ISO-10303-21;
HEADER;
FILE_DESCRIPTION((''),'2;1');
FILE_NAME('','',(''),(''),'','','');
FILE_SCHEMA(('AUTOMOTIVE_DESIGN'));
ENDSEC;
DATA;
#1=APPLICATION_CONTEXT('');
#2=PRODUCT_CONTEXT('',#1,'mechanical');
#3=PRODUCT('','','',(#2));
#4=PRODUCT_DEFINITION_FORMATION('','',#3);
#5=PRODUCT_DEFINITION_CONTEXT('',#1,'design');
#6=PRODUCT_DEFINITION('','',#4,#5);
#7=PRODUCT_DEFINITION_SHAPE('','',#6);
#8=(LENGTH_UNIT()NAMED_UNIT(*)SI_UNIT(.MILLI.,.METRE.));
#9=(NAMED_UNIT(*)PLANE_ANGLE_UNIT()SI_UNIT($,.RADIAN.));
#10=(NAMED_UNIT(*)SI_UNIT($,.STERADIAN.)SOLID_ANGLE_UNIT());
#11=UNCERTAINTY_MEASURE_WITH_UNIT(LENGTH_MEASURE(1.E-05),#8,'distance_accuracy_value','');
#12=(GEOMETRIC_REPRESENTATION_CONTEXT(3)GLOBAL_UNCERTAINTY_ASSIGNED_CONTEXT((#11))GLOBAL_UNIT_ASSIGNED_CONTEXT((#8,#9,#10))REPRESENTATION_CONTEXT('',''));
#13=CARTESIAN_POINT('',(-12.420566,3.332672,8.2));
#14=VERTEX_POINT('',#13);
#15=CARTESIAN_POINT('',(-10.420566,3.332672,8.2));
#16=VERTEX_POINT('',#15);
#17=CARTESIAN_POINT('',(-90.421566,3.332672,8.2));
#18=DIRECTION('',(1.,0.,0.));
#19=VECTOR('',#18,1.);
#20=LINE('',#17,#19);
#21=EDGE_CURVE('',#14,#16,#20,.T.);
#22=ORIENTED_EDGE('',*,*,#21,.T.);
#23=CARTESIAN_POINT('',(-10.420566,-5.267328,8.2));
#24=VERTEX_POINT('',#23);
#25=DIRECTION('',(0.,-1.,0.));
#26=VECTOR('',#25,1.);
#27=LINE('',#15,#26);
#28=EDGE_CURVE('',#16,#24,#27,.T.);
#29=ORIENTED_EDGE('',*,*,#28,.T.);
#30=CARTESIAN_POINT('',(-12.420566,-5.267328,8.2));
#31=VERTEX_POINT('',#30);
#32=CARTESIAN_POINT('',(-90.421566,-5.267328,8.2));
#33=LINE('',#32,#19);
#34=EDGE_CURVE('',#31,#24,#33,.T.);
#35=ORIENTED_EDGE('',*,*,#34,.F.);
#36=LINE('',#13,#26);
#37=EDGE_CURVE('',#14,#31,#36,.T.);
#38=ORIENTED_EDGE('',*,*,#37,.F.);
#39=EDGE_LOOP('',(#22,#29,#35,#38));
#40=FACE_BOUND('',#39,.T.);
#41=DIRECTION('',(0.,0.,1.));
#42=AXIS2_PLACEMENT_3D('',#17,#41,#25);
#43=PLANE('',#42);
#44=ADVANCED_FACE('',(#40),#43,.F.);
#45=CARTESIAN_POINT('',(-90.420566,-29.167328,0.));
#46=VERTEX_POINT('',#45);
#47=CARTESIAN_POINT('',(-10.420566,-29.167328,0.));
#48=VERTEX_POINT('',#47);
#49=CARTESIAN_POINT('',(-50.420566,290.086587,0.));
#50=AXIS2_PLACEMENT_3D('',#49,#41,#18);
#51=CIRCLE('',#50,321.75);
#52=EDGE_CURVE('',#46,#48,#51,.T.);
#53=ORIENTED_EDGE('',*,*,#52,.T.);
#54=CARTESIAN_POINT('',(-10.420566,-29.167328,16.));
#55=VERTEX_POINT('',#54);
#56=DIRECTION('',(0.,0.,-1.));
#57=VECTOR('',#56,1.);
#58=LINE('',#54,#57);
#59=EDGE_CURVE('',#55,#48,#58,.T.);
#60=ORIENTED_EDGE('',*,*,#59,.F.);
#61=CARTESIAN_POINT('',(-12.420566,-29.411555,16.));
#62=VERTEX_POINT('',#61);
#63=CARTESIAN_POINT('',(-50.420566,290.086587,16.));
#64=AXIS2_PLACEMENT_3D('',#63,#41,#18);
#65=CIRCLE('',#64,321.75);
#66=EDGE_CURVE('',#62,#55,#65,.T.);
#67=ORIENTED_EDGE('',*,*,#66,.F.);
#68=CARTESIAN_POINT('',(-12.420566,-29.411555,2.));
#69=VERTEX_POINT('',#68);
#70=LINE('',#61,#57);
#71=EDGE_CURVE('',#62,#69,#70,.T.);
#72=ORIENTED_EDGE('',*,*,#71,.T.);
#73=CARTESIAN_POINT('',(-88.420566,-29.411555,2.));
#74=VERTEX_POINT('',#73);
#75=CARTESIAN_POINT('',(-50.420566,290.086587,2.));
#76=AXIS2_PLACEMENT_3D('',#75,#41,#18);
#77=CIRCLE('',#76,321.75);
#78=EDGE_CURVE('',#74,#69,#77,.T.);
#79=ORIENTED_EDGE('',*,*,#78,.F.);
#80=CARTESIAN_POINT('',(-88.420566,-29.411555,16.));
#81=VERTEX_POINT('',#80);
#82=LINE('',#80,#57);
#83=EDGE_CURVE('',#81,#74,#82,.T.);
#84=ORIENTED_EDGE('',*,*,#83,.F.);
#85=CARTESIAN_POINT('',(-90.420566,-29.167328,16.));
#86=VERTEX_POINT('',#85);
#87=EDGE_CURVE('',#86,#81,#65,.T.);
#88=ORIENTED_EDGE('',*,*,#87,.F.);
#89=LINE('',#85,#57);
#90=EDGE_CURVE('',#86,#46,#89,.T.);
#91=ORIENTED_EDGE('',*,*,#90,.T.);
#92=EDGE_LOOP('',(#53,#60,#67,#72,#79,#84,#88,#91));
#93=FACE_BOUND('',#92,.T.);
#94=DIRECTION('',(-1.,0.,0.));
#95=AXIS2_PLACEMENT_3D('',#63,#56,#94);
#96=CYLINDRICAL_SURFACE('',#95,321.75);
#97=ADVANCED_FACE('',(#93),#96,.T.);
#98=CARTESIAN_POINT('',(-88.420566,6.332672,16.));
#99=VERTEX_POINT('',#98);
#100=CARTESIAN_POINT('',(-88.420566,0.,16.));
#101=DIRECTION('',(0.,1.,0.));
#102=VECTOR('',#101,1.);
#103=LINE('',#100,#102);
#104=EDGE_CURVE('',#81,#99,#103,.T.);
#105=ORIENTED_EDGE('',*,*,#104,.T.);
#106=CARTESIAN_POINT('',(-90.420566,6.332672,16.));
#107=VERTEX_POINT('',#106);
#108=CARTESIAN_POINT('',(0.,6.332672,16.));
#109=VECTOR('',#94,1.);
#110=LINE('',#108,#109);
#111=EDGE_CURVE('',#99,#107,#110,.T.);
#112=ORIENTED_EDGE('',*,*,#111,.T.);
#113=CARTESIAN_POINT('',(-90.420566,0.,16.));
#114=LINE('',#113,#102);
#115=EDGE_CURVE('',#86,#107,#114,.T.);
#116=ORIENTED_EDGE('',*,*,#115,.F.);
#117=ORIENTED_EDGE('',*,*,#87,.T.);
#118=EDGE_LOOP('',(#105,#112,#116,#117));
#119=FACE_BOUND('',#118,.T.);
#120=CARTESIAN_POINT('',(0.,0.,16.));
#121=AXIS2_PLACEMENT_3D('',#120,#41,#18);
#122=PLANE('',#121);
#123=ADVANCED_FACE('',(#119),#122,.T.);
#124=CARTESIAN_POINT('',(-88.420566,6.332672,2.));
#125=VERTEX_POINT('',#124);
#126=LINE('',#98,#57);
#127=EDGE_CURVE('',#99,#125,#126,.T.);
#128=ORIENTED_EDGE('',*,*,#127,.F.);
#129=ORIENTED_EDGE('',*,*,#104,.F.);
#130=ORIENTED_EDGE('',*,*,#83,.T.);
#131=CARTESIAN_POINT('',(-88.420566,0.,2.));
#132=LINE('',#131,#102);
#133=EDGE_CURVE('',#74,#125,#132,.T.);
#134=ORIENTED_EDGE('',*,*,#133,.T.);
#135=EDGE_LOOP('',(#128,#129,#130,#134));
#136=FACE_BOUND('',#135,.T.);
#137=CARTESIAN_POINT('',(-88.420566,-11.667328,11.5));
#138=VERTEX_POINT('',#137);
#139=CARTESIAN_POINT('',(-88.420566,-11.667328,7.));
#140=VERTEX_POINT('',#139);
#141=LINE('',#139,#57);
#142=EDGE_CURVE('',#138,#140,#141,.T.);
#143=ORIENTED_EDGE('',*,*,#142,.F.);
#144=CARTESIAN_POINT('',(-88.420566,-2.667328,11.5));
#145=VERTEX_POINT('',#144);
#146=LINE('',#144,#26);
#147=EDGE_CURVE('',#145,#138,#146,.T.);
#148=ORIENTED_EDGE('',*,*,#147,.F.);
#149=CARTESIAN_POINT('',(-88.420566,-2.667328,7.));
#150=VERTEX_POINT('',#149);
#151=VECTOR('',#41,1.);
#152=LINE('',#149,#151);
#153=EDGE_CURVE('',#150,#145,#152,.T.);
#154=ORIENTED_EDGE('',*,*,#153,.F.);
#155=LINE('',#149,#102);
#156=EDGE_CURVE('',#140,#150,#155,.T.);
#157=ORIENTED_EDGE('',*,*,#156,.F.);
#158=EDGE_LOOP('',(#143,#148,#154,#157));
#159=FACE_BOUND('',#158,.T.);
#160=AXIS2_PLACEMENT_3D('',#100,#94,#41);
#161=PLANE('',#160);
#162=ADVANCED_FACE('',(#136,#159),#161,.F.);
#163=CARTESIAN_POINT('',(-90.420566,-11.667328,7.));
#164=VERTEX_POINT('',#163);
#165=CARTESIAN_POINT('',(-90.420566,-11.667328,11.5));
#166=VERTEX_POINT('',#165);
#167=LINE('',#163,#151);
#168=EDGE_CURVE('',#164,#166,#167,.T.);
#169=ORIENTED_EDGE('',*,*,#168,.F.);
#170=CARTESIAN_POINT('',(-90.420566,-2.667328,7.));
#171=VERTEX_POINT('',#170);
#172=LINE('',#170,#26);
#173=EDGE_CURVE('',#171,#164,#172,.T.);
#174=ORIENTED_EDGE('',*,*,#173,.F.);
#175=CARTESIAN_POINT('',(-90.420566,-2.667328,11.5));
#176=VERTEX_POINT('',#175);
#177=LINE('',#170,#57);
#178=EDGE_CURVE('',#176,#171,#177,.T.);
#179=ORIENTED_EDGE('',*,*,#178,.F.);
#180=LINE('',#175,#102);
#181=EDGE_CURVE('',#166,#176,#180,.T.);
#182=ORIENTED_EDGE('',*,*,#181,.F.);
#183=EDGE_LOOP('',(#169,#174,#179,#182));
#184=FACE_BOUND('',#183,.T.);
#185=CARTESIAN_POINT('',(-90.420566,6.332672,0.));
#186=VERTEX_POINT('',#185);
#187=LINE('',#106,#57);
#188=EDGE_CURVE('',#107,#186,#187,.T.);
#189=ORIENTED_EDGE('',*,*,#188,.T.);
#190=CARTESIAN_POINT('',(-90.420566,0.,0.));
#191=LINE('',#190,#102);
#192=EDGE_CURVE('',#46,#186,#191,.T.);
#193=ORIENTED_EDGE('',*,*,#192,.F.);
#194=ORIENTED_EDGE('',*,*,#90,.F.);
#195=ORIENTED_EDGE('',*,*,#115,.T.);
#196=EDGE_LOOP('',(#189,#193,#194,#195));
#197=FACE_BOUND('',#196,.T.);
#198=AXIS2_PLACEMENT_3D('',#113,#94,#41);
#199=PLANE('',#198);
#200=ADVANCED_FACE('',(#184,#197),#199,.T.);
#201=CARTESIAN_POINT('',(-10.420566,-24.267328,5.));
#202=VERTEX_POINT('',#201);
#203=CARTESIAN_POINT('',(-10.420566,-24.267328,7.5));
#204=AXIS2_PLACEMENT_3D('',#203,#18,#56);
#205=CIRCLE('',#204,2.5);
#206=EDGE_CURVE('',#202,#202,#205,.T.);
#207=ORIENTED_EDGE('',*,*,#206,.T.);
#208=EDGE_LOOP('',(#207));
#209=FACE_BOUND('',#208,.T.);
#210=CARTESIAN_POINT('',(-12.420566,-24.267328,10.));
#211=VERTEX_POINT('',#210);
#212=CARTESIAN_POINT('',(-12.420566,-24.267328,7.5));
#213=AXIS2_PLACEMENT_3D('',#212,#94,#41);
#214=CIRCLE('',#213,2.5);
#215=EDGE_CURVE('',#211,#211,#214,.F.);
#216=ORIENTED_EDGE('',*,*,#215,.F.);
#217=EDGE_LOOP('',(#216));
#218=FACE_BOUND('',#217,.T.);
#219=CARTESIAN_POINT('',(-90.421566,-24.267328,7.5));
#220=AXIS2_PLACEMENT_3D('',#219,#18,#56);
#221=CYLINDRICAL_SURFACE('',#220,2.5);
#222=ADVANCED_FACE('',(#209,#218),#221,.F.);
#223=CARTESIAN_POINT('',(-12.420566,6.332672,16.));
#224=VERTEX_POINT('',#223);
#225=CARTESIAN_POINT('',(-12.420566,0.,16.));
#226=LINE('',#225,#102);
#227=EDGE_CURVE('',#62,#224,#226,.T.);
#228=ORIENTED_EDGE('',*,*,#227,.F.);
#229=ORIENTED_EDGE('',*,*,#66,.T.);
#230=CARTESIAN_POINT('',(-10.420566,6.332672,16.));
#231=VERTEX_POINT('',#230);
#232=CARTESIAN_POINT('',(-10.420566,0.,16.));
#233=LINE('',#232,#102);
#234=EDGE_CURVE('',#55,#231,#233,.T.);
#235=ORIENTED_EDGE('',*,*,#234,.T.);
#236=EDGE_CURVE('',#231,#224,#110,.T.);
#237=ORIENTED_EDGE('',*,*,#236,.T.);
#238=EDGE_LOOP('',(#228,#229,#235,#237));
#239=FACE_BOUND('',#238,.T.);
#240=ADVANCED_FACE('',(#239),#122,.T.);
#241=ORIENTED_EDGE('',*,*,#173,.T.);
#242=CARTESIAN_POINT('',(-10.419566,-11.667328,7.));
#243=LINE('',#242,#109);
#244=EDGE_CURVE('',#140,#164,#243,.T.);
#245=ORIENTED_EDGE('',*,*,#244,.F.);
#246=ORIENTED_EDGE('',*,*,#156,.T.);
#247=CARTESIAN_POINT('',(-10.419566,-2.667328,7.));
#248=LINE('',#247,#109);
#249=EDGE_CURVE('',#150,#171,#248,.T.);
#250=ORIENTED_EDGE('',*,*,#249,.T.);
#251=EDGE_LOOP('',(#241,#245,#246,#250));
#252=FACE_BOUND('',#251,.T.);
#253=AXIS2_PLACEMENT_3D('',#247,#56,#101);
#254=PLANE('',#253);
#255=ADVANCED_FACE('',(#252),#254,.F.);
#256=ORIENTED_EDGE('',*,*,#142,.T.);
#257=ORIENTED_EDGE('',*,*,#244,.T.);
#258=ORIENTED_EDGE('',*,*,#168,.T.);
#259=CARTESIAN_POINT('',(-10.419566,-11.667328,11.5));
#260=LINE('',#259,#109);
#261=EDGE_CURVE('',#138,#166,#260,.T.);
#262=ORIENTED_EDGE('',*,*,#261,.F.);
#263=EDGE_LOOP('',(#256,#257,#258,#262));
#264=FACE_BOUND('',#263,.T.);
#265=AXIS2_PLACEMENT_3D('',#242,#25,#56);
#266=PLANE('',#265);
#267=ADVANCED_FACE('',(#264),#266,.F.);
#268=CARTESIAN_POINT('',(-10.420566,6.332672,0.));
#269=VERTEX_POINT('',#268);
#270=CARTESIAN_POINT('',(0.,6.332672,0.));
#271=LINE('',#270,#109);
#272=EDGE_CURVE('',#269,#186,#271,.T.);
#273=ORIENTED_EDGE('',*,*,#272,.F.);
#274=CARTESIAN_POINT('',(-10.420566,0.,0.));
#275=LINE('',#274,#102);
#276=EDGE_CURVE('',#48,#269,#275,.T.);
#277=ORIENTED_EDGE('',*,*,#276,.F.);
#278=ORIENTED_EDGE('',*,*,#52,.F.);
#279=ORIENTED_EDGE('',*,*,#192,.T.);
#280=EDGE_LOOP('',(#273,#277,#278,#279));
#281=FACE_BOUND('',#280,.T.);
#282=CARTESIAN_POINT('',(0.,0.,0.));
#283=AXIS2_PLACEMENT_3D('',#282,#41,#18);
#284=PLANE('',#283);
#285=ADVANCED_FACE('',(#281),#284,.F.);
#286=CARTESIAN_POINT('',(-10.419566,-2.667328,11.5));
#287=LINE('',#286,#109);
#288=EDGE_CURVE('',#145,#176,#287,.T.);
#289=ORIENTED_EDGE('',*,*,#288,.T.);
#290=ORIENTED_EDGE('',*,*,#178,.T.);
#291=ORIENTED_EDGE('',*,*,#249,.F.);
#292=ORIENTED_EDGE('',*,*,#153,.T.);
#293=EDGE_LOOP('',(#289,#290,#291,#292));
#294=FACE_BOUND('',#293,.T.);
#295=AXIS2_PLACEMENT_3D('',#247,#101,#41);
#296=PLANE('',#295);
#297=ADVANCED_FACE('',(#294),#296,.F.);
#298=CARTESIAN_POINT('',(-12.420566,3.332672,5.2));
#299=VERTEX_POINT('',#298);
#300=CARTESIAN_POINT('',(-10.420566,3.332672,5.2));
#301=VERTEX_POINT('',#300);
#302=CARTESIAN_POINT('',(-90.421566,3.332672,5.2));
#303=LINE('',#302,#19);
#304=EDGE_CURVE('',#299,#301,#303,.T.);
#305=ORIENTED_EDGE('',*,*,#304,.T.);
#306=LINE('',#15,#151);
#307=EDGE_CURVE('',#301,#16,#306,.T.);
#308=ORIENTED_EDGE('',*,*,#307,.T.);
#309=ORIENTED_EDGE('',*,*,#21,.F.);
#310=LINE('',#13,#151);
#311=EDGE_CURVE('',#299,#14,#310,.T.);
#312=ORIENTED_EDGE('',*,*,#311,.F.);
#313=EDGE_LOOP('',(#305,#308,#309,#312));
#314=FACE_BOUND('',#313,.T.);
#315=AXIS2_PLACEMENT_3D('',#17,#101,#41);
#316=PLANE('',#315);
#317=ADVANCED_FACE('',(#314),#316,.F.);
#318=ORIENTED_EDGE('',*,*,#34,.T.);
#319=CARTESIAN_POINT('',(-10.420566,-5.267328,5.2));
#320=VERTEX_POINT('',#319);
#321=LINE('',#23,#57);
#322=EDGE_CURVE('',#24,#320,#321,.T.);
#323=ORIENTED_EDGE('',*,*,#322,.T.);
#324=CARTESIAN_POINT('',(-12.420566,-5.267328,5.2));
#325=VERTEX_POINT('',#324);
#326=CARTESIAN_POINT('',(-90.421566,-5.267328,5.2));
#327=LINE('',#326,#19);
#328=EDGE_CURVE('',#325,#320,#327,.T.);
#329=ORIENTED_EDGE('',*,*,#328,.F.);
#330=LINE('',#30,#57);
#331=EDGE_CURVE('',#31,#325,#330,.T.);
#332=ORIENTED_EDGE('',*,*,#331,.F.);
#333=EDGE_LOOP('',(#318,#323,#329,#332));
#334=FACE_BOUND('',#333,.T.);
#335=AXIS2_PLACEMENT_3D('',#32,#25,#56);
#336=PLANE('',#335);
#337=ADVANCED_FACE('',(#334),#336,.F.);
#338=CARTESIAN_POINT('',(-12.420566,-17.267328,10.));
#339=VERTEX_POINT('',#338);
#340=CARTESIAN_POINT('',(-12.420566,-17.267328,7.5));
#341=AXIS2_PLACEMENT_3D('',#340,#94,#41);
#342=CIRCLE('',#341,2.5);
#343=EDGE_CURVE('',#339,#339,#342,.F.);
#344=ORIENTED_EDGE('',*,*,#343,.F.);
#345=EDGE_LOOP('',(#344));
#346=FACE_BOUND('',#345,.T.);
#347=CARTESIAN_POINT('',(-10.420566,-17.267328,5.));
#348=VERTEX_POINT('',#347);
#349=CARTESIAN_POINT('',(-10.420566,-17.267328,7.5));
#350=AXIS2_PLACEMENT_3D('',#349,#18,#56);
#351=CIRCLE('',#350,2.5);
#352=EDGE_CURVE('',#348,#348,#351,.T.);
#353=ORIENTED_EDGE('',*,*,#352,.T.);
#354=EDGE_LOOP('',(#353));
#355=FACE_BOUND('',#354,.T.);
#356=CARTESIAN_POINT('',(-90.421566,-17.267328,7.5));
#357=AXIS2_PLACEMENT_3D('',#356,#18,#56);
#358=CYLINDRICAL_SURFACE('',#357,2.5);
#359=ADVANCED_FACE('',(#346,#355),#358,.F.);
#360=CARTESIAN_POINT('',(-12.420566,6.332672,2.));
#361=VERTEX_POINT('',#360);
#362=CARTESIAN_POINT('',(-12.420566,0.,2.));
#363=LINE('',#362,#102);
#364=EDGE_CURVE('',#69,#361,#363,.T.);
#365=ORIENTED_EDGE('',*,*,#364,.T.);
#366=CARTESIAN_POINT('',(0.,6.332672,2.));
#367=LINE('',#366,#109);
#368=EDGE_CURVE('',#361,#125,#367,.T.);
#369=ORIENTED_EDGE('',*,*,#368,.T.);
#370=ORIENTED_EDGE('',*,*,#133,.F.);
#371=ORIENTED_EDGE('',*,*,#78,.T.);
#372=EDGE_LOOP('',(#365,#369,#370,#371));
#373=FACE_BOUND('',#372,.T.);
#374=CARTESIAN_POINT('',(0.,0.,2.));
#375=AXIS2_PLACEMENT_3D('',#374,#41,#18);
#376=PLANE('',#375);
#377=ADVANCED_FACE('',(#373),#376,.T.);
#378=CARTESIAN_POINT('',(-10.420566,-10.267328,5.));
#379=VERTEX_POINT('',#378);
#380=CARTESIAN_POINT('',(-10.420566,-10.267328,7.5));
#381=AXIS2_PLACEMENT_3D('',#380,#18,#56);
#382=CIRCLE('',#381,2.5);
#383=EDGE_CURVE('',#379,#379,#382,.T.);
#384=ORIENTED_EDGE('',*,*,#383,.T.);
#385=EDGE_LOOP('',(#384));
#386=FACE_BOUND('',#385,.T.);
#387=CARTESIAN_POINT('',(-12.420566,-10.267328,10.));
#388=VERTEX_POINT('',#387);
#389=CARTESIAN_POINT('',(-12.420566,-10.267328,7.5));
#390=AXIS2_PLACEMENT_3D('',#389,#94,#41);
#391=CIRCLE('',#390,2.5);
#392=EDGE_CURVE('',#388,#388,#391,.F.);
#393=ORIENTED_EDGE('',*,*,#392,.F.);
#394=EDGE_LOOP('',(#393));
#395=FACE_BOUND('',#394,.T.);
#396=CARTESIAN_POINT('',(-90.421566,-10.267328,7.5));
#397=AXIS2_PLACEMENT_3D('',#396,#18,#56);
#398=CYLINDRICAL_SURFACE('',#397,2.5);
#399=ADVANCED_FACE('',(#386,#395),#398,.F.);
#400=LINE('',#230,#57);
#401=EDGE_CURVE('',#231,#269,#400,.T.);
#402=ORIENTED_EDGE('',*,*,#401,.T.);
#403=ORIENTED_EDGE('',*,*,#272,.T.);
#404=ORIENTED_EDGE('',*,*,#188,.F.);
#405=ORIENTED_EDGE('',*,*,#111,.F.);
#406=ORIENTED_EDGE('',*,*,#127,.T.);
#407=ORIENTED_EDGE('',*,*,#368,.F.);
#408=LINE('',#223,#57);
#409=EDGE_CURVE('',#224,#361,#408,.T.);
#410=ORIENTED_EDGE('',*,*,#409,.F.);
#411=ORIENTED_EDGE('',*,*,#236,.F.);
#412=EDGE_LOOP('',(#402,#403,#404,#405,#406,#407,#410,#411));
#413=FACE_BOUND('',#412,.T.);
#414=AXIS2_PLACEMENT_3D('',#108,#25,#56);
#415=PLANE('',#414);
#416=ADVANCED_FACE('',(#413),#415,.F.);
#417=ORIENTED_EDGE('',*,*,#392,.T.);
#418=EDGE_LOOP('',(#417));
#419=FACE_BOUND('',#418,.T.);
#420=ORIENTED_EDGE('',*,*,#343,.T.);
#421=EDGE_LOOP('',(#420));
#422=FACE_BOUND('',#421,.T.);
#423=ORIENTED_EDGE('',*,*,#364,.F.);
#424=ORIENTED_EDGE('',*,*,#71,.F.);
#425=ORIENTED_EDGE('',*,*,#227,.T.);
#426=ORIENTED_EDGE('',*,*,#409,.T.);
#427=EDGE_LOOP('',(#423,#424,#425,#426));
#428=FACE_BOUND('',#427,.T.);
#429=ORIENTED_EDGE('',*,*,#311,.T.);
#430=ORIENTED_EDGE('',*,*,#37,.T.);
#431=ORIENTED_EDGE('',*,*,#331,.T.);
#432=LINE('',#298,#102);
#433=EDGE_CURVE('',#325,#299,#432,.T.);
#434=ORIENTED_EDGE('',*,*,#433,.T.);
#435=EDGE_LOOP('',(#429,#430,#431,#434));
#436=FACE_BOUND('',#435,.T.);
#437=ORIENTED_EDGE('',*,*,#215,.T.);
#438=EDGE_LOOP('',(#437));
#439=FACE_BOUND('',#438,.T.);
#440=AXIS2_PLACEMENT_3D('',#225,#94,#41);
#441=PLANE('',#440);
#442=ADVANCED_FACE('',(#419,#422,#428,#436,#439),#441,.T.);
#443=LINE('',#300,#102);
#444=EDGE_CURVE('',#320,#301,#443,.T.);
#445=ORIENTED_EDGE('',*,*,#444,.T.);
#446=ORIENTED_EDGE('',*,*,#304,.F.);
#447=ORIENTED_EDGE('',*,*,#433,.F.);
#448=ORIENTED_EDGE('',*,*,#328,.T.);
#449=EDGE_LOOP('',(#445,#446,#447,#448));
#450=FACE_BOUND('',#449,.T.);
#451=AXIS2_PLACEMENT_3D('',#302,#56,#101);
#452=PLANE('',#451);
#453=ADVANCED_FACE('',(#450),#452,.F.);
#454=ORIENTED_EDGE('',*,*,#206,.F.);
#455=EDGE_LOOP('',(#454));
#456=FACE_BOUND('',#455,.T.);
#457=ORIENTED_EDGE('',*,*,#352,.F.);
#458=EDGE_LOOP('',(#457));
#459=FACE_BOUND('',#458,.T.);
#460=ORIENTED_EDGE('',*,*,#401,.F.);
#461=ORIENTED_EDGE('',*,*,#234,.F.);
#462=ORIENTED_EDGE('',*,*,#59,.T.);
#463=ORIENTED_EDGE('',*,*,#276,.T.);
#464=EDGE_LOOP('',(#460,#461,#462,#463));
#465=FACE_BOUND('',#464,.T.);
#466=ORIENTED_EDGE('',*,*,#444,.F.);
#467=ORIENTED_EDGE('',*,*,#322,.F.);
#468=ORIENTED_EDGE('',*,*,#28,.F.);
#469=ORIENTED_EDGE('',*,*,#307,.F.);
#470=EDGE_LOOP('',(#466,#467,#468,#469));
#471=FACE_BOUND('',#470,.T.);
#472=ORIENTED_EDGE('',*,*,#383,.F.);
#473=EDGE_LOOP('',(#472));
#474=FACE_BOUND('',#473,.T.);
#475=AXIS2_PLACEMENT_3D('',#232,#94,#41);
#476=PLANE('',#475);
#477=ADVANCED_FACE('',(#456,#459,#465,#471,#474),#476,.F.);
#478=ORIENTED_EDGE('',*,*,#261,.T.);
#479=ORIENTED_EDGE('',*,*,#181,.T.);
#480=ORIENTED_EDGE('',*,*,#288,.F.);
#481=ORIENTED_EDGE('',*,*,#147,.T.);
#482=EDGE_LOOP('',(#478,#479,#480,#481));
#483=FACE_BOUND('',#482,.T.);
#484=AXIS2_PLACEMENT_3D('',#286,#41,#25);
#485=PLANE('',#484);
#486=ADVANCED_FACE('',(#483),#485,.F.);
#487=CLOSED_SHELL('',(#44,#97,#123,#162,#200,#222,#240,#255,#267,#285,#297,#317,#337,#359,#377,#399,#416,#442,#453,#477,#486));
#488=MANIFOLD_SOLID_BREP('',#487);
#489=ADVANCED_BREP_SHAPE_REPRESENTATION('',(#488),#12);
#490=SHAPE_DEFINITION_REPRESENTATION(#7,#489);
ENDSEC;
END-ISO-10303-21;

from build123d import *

# Parameters (mm, degrees)
SKETCH_1_W          = 80
SKETCH_1_H          = 35.5
EXTRUDE_1_DEPTH     = 16
SHELL_1_T           = -2
CUT_EXTRUDE_3_REACH = 89.513
SKETCH_2_W          = 4.5
SKETCH_2_H          = 9
CUT_EXTRUDE_4_REACH = 89.513
SKETCH_6_R          = 2.5
SKETCH_6_W          = 3
SKETCH_6_H          = 8.6


with BuildPart() as part:
    # 草图1 → 凸台-拉伸1 (new body)
    with BuildSketch(Plane.XY):
        with Locations((-50.420566467, -11.417328482)):
            Rectangle(SKETCH_1_W, SKETCH_1_H)
        with BuildLine():
            Line((-10.420566467, -29.167328482), (-90.420566467, -29.167328482))
            ThreePointArc((-90.420566467, -29.167328482), (-50.420566467, -31.663413079), (-10.420566467, -29.167328482))
        make_face()
    extrude(amount=EXTRUDE_1_DEPTH)

    # 抽壳1
    shell_1_openings = [part.faces().sort_by_distance(p)[0] for p in [
        (-50.420566467, -12.25744671, 16),
        (-50.420566467, 6.332671518, 8),
        (-50.420566467, -31.663413079, 8),
    ]]
    offset(amount=SHELL_1_T, openings=shell_1_openings, kind=Kind.INTERSECTION)

    # 草图2 → 切除-拉伸3 (cut, up to next)
    with BuildSketch(Plane.ZY.offset(90.420566467), mode=Mode.PRIVATE) as cut_extrude_3_sk1:
        with Locations((9.25, -7.167328482)):
            Rectangle(SKETCH_2_W, SKETCH_2_H)
    cut_extrude_3_tool1 = extrude(cut_extrude_3_sk1.sketch, amount=-CUT_EXTRUDE_3_REACH, mode=Mode.PRIVATE) & part.part
    add(cut_extrude_3_tool1.solids().sort_by_distance((-90.420566, -7.167328, 9.25))[0], mode=Mode.SUBTRACT)

    # 草图6 → 切除-拉伸4 (cut, up to next)
    with BuildSketch(Plane(origin=(-10.420566467, 0, 0), x_dir=(0, 0, -1), z_dir=(1, 0, 0)), mode=Mode.PRIVATE) as cut_extrude_4_sk1:
        with Locations((-7.5, -10.267328482)):
            Circle(SKETCH_6_R)
    cut_extrude_4_tool1 = extrude(cut_extrude_4_sk1.sketch, amount=-CUT_EXTRUDE_4_REACH, mode=Mode.PRIVATE) & part.part
    # 草图6 → 切除-拉伸4 (cut, up to next)
    with BuildSketch(Plane(origin=(-10.420566467, 0, 0), x_dir=(0, 0, -1), z_dir=(1, 0, 0)), mode=Mode.PRIVATE) as cut_extrude_4_sk2:
        with Locations((-7.5, -17.267328482)):
            Circle(SKETCH_6_R)
    cut_extrude_4_tool2 = extrude(cut_extrude_4_sk2.sketch, amount=-CUT_EXTRUDE_4_REACH, mode=Mode.PRIVATE) & part.part
    # 草图6 → 切除-拉伸4 (cut, up to next)
    with BuildSketch(Plane(origin=(-10.420566467, 0, 0), x_dir=(0, 0, -1), z_dir=(1, 0, 0)), mode=Mode.PRIVATE) as cut_extrude_4_sk3:
        with Locations((-7.5, -24.267328482)):
            Circle(SKETCH_6_R)
    cut_extrude_4_tool3 = extrude(cut_extrude_4_sk3.sketch, amount=-CUT_EXTRUDE_4_REACH, mode=Mode.PRIVATE) & part.part
    # 草图6 → 切除-拉伸4 (cut, up to next)
    with BuildSketch(Plane(origin=(-10.420566467, 0, 0), x_dir=(0, 0, -1), z_dir=(1, 0, 0)), mode=Mode.PRIVATE) as cut_extrude_4_sk4:
        with Locations((-6.7, -0.967328482)):
            Rectangle(SKETCH_6_W, SKETCH_6_H)
    cut_extrude_4_tool4 = extrude(cut_extrude_4_sk4.sketch, amount=-CUT_EXTRUDE_4_REACH, mode=Mode.PRIVATE) & part.part
    add(cut_extrude_4_tool1.solids().sort_by_distance((-10.420566, -10.267328, 7.5))[0], mode=Mode.SUBTRACT)
    add(cut_extrude_4_tool2.solids().sort_by_distance((-10.420566, -17.267328, 7.5))[0], mode=Mode.SUBTRACT)
    add(cut_extrude_4_tool3.solids().sort_by_distance((-10.420566, -24.267328, 7.5))[0], mode=Mode.SUBTRACT)
    add(cut_extrude_4_tool4.solids().sort_by_distance((-10.420566, -0.967328, 6.7))[0], mode=Mode.SUBTRACT)


solid = part.part
